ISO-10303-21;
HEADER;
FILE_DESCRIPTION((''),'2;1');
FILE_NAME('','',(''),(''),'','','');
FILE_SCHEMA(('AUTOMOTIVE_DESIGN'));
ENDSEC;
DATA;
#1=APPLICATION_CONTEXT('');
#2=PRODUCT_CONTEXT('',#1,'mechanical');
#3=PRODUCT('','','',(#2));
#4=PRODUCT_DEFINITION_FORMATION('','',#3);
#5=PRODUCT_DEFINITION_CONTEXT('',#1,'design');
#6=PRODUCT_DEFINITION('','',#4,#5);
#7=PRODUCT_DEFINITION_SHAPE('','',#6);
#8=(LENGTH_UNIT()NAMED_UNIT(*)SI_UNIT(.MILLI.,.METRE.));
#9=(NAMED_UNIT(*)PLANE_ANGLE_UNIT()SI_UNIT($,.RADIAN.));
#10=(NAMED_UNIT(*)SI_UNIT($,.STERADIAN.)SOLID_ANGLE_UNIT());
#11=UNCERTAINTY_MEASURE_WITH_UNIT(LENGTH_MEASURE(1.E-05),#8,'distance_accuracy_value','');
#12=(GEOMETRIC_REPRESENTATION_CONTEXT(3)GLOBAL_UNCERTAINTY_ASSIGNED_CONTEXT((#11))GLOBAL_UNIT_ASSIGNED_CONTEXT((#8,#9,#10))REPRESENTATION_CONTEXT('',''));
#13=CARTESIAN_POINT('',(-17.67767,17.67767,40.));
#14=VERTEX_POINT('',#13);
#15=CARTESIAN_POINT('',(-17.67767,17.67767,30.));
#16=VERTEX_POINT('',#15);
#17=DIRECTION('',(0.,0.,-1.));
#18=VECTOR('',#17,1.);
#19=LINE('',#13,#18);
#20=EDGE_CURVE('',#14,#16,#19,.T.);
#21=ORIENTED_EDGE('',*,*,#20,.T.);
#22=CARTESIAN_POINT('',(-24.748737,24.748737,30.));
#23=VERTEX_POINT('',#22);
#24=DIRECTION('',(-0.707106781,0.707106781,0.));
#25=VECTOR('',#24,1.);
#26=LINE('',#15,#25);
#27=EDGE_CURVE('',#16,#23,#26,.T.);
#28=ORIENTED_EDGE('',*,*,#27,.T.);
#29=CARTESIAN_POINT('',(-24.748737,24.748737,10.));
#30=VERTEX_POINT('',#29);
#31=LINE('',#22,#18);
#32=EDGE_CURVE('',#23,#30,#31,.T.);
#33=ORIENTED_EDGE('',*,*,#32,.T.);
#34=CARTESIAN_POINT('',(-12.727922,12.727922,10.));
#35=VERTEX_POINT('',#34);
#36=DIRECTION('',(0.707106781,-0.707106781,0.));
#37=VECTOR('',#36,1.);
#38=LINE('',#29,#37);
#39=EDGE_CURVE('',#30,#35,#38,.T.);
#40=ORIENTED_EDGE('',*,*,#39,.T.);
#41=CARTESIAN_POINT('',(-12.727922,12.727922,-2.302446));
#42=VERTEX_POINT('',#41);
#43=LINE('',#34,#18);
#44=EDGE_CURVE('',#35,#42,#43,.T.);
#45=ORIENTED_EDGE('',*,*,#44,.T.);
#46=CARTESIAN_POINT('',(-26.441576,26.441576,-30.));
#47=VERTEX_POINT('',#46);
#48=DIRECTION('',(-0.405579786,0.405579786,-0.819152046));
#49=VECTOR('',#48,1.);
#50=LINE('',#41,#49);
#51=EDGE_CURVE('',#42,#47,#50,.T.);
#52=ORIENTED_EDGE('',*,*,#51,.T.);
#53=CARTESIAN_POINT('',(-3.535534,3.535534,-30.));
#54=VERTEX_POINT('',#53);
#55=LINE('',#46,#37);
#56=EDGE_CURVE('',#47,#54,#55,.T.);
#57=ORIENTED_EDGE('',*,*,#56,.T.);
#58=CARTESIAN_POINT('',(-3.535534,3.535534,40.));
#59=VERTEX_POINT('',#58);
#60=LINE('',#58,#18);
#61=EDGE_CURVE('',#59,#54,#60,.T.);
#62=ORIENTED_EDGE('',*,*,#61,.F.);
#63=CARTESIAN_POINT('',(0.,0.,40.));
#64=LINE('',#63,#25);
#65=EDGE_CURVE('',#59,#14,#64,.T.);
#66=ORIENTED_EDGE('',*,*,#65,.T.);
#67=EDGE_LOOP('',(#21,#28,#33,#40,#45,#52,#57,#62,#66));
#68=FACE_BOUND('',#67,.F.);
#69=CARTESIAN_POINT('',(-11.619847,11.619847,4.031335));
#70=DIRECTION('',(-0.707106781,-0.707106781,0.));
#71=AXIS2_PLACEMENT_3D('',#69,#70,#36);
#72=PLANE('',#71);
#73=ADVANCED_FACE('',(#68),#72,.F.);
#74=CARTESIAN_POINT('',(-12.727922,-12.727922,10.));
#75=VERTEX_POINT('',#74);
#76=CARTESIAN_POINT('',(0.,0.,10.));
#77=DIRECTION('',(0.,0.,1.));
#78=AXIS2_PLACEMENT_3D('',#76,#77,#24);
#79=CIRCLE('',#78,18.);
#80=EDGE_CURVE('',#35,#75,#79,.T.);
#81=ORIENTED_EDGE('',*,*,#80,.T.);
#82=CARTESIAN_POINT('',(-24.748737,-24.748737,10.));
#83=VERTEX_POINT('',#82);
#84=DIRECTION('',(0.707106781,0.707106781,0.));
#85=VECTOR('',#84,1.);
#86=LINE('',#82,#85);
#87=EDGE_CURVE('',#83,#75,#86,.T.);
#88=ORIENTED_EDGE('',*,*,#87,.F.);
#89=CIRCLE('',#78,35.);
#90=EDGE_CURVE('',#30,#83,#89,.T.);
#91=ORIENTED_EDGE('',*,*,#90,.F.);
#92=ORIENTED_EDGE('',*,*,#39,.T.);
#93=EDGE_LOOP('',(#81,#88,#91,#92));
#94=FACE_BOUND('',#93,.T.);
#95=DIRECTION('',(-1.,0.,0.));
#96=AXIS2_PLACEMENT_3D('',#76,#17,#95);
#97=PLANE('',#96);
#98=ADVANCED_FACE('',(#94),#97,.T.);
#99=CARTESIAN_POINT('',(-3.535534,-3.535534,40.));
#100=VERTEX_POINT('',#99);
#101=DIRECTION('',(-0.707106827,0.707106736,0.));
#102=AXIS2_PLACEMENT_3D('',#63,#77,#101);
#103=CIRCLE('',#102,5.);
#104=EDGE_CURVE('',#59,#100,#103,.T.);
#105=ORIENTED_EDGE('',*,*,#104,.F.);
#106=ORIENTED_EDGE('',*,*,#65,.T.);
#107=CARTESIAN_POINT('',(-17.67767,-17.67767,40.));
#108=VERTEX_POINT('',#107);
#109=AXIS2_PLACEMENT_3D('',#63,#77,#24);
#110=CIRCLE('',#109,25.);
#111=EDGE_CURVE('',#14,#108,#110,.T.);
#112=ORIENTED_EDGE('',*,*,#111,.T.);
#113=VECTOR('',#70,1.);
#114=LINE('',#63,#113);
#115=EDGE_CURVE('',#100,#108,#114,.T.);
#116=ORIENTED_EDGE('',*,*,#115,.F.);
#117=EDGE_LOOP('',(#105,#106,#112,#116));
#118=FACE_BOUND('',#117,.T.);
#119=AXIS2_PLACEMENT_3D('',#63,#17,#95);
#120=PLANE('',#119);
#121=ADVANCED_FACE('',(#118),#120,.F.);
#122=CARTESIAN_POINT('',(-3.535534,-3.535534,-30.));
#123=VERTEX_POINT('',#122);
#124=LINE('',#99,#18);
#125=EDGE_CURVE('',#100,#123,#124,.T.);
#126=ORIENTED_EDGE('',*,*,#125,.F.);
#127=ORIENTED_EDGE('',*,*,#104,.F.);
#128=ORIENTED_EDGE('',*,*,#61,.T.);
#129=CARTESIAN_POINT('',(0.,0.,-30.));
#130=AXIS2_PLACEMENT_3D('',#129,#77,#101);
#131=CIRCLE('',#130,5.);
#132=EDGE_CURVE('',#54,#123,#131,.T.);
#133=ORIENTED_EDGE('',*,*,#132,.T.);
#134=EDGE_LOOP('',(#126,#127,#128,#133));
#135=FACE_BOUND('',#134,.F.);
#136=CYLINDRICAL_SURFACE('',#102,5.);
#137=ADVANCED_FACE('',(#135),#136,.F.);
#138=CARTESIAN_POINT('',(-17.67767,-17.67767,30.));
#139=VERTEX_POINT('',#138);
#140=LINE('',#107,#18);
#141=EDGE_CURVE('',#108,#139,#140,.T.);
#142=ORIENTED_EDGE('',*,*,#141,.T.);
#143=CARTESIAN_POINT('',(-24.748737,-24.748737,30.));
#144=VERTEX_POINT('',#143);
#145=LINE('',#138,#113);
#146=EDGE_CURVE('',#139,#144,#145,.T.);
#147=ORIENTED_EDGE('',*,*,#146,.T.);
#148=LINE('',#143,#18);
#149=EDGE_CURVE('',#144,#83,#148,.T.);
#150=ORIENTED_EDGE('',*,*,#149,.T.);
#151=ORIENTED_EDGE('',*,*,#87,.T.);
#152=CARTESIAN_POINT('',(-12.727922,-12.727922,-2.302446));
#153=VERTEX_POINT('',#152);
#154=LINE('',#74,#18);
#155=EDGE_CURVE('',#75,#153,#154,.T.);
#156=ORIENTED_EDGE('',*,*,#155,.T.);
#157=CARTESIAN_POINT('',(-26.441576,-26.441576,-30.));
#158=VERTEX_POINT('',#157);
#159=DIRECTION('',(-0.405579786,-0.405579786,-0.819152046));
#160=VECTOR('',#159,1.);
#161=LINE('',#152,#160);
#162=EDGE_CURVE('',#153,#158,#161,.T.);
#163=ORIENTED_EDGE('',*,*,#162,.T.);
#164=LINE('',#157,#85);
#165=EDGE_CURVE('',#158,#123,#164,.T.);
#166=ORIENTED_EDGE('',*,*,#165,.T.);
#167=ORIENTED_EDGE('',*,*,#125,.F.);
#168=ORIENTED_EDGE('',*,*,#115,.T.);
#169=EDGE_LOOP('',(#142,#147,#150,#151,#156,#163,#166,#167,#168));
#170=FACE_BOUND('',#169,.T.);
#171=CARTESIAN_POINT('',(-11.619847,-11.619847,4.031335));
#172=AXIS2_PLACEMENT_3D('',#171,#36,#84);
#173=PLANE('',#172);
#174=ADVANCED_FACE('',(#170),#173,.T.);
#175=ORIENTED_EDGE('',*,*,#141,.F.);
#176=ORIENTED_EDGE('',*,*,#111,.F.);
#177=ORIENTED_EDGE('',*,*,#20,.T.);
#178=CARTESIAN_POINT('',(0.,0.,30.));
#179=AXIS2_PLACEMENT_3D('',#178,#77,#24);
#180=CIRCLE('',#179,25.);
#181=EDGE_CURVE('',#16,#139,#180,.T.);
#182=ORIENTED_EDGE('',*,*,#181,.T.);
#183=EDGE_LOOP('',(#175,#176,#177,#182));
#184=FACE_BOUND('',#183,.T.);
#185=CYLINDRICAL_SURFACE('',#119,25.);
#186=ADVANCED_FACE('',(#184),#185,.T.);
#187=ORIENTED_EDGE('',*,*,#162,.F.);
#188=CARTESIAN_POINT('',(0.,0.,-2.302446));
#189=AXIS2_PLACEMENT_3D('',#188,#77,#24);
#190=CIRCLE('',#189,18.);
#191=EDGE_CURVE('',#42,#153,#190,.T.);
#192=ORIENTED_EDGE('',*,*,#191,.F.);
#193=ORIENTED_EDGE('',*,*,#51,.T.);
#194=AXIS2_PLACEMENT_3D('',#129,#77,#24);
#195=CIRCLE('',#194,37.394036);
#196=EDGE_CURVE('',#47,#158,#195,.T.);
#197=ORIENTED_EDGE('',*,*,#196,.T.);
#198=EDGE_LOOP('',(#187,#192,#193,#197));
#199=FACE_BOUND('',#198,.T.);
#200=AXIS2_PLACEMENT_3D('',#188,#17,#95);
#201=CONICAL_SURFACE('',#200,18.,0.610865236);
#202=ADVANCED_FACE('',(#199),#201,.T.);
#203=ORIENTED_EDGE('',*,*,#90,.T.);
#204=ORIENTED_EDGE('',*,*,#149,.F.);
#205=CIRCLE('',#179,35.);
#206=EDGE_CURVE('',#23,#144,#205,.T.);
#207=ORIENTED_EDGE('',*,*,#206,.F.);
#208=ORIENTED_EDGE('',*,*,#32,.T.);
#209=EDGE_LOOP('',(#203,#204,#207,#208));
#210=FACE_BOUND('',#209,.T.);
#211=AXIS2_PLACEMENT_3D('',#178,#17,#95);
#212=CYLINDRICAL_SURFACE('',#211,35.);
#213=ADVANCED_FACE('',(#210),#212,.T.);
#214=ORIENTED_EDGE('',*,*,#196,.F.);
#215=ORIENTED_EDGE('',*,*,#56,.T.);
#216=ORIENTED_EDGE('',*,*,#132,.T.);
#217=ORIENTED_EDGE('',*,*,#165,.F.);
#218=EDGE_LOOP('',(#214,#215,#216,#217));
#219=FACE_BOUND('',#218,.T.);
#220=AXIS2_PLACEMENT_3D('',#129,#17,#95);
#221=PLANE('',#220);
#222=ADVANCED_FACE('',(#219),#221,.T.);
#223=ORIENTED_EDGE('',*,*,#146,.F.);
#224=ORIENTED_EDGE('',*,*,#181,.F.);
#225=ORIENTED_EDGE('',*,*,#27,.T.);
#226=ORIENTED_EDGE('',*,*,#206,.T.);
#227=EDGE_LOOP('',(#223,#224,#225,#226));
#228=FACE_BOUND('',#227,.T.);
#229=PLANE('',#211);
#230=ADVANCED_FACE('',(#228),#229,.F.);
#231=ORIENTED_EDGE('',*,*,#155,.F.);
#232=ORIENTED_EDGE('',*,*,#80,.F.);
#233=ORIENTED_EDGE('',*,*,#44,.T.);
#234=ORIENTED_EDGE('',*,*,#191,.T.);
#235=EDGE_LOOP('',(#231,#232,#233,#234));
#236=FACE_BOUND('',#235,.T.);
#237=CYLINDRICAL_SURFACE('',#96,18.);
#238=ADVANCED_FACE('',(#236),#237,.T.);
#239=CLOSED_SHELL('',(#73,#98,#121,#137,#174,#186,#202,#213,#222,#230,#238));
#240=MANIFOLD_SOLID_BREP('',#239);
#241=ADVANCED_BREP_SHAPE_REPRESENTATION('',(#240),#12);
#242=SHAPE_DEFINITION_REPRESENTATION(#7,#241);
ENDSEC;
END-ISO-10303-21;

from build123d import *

# Parameters (mm, degrees)
F1_ANGLE = 90
F3_DEPTH = 70.001


with BuildPart() as f1:
    # F0 (on Front) → F1 (revolve, symmetric)
    with BuildSketch(Plane.XZ) as f1_sk:
        Polygon((0, -30), (0, 0), (0, 40), (-25, 40), (-25, 30), (-35, 30), (-35, 10), (-18, 10), (-18, -2.302446), (-37.394036, -30), align=None)
    revolve(axis=Axis((0, 0, 20), (0, 0, 1)), revolution_arc=F1_ANGLE / 2)
    revolve(f1_sk.sketch, axis=Axis((0, 0, 20), (0, 0, -1)), revolution_arc=F1_ANGLE / 2)

    # F2 (on face) → F3 (cut, through all)
    with BuildSketch(Plane.XY.offset(40)):
        with BuildLine():
            Line((0, 0), (-3.535534, 3.535534))
            ThreePointArc((-3.535534, 3.535534), (-5, 0), (-3.535534, -3.535534))
            Line((-3.535534, -3.535534), (0, 0))
        make_face()
    extrude(amount=-F3_DEPTH, mode=Mode.SUBTRACT)


solid = f1.part
